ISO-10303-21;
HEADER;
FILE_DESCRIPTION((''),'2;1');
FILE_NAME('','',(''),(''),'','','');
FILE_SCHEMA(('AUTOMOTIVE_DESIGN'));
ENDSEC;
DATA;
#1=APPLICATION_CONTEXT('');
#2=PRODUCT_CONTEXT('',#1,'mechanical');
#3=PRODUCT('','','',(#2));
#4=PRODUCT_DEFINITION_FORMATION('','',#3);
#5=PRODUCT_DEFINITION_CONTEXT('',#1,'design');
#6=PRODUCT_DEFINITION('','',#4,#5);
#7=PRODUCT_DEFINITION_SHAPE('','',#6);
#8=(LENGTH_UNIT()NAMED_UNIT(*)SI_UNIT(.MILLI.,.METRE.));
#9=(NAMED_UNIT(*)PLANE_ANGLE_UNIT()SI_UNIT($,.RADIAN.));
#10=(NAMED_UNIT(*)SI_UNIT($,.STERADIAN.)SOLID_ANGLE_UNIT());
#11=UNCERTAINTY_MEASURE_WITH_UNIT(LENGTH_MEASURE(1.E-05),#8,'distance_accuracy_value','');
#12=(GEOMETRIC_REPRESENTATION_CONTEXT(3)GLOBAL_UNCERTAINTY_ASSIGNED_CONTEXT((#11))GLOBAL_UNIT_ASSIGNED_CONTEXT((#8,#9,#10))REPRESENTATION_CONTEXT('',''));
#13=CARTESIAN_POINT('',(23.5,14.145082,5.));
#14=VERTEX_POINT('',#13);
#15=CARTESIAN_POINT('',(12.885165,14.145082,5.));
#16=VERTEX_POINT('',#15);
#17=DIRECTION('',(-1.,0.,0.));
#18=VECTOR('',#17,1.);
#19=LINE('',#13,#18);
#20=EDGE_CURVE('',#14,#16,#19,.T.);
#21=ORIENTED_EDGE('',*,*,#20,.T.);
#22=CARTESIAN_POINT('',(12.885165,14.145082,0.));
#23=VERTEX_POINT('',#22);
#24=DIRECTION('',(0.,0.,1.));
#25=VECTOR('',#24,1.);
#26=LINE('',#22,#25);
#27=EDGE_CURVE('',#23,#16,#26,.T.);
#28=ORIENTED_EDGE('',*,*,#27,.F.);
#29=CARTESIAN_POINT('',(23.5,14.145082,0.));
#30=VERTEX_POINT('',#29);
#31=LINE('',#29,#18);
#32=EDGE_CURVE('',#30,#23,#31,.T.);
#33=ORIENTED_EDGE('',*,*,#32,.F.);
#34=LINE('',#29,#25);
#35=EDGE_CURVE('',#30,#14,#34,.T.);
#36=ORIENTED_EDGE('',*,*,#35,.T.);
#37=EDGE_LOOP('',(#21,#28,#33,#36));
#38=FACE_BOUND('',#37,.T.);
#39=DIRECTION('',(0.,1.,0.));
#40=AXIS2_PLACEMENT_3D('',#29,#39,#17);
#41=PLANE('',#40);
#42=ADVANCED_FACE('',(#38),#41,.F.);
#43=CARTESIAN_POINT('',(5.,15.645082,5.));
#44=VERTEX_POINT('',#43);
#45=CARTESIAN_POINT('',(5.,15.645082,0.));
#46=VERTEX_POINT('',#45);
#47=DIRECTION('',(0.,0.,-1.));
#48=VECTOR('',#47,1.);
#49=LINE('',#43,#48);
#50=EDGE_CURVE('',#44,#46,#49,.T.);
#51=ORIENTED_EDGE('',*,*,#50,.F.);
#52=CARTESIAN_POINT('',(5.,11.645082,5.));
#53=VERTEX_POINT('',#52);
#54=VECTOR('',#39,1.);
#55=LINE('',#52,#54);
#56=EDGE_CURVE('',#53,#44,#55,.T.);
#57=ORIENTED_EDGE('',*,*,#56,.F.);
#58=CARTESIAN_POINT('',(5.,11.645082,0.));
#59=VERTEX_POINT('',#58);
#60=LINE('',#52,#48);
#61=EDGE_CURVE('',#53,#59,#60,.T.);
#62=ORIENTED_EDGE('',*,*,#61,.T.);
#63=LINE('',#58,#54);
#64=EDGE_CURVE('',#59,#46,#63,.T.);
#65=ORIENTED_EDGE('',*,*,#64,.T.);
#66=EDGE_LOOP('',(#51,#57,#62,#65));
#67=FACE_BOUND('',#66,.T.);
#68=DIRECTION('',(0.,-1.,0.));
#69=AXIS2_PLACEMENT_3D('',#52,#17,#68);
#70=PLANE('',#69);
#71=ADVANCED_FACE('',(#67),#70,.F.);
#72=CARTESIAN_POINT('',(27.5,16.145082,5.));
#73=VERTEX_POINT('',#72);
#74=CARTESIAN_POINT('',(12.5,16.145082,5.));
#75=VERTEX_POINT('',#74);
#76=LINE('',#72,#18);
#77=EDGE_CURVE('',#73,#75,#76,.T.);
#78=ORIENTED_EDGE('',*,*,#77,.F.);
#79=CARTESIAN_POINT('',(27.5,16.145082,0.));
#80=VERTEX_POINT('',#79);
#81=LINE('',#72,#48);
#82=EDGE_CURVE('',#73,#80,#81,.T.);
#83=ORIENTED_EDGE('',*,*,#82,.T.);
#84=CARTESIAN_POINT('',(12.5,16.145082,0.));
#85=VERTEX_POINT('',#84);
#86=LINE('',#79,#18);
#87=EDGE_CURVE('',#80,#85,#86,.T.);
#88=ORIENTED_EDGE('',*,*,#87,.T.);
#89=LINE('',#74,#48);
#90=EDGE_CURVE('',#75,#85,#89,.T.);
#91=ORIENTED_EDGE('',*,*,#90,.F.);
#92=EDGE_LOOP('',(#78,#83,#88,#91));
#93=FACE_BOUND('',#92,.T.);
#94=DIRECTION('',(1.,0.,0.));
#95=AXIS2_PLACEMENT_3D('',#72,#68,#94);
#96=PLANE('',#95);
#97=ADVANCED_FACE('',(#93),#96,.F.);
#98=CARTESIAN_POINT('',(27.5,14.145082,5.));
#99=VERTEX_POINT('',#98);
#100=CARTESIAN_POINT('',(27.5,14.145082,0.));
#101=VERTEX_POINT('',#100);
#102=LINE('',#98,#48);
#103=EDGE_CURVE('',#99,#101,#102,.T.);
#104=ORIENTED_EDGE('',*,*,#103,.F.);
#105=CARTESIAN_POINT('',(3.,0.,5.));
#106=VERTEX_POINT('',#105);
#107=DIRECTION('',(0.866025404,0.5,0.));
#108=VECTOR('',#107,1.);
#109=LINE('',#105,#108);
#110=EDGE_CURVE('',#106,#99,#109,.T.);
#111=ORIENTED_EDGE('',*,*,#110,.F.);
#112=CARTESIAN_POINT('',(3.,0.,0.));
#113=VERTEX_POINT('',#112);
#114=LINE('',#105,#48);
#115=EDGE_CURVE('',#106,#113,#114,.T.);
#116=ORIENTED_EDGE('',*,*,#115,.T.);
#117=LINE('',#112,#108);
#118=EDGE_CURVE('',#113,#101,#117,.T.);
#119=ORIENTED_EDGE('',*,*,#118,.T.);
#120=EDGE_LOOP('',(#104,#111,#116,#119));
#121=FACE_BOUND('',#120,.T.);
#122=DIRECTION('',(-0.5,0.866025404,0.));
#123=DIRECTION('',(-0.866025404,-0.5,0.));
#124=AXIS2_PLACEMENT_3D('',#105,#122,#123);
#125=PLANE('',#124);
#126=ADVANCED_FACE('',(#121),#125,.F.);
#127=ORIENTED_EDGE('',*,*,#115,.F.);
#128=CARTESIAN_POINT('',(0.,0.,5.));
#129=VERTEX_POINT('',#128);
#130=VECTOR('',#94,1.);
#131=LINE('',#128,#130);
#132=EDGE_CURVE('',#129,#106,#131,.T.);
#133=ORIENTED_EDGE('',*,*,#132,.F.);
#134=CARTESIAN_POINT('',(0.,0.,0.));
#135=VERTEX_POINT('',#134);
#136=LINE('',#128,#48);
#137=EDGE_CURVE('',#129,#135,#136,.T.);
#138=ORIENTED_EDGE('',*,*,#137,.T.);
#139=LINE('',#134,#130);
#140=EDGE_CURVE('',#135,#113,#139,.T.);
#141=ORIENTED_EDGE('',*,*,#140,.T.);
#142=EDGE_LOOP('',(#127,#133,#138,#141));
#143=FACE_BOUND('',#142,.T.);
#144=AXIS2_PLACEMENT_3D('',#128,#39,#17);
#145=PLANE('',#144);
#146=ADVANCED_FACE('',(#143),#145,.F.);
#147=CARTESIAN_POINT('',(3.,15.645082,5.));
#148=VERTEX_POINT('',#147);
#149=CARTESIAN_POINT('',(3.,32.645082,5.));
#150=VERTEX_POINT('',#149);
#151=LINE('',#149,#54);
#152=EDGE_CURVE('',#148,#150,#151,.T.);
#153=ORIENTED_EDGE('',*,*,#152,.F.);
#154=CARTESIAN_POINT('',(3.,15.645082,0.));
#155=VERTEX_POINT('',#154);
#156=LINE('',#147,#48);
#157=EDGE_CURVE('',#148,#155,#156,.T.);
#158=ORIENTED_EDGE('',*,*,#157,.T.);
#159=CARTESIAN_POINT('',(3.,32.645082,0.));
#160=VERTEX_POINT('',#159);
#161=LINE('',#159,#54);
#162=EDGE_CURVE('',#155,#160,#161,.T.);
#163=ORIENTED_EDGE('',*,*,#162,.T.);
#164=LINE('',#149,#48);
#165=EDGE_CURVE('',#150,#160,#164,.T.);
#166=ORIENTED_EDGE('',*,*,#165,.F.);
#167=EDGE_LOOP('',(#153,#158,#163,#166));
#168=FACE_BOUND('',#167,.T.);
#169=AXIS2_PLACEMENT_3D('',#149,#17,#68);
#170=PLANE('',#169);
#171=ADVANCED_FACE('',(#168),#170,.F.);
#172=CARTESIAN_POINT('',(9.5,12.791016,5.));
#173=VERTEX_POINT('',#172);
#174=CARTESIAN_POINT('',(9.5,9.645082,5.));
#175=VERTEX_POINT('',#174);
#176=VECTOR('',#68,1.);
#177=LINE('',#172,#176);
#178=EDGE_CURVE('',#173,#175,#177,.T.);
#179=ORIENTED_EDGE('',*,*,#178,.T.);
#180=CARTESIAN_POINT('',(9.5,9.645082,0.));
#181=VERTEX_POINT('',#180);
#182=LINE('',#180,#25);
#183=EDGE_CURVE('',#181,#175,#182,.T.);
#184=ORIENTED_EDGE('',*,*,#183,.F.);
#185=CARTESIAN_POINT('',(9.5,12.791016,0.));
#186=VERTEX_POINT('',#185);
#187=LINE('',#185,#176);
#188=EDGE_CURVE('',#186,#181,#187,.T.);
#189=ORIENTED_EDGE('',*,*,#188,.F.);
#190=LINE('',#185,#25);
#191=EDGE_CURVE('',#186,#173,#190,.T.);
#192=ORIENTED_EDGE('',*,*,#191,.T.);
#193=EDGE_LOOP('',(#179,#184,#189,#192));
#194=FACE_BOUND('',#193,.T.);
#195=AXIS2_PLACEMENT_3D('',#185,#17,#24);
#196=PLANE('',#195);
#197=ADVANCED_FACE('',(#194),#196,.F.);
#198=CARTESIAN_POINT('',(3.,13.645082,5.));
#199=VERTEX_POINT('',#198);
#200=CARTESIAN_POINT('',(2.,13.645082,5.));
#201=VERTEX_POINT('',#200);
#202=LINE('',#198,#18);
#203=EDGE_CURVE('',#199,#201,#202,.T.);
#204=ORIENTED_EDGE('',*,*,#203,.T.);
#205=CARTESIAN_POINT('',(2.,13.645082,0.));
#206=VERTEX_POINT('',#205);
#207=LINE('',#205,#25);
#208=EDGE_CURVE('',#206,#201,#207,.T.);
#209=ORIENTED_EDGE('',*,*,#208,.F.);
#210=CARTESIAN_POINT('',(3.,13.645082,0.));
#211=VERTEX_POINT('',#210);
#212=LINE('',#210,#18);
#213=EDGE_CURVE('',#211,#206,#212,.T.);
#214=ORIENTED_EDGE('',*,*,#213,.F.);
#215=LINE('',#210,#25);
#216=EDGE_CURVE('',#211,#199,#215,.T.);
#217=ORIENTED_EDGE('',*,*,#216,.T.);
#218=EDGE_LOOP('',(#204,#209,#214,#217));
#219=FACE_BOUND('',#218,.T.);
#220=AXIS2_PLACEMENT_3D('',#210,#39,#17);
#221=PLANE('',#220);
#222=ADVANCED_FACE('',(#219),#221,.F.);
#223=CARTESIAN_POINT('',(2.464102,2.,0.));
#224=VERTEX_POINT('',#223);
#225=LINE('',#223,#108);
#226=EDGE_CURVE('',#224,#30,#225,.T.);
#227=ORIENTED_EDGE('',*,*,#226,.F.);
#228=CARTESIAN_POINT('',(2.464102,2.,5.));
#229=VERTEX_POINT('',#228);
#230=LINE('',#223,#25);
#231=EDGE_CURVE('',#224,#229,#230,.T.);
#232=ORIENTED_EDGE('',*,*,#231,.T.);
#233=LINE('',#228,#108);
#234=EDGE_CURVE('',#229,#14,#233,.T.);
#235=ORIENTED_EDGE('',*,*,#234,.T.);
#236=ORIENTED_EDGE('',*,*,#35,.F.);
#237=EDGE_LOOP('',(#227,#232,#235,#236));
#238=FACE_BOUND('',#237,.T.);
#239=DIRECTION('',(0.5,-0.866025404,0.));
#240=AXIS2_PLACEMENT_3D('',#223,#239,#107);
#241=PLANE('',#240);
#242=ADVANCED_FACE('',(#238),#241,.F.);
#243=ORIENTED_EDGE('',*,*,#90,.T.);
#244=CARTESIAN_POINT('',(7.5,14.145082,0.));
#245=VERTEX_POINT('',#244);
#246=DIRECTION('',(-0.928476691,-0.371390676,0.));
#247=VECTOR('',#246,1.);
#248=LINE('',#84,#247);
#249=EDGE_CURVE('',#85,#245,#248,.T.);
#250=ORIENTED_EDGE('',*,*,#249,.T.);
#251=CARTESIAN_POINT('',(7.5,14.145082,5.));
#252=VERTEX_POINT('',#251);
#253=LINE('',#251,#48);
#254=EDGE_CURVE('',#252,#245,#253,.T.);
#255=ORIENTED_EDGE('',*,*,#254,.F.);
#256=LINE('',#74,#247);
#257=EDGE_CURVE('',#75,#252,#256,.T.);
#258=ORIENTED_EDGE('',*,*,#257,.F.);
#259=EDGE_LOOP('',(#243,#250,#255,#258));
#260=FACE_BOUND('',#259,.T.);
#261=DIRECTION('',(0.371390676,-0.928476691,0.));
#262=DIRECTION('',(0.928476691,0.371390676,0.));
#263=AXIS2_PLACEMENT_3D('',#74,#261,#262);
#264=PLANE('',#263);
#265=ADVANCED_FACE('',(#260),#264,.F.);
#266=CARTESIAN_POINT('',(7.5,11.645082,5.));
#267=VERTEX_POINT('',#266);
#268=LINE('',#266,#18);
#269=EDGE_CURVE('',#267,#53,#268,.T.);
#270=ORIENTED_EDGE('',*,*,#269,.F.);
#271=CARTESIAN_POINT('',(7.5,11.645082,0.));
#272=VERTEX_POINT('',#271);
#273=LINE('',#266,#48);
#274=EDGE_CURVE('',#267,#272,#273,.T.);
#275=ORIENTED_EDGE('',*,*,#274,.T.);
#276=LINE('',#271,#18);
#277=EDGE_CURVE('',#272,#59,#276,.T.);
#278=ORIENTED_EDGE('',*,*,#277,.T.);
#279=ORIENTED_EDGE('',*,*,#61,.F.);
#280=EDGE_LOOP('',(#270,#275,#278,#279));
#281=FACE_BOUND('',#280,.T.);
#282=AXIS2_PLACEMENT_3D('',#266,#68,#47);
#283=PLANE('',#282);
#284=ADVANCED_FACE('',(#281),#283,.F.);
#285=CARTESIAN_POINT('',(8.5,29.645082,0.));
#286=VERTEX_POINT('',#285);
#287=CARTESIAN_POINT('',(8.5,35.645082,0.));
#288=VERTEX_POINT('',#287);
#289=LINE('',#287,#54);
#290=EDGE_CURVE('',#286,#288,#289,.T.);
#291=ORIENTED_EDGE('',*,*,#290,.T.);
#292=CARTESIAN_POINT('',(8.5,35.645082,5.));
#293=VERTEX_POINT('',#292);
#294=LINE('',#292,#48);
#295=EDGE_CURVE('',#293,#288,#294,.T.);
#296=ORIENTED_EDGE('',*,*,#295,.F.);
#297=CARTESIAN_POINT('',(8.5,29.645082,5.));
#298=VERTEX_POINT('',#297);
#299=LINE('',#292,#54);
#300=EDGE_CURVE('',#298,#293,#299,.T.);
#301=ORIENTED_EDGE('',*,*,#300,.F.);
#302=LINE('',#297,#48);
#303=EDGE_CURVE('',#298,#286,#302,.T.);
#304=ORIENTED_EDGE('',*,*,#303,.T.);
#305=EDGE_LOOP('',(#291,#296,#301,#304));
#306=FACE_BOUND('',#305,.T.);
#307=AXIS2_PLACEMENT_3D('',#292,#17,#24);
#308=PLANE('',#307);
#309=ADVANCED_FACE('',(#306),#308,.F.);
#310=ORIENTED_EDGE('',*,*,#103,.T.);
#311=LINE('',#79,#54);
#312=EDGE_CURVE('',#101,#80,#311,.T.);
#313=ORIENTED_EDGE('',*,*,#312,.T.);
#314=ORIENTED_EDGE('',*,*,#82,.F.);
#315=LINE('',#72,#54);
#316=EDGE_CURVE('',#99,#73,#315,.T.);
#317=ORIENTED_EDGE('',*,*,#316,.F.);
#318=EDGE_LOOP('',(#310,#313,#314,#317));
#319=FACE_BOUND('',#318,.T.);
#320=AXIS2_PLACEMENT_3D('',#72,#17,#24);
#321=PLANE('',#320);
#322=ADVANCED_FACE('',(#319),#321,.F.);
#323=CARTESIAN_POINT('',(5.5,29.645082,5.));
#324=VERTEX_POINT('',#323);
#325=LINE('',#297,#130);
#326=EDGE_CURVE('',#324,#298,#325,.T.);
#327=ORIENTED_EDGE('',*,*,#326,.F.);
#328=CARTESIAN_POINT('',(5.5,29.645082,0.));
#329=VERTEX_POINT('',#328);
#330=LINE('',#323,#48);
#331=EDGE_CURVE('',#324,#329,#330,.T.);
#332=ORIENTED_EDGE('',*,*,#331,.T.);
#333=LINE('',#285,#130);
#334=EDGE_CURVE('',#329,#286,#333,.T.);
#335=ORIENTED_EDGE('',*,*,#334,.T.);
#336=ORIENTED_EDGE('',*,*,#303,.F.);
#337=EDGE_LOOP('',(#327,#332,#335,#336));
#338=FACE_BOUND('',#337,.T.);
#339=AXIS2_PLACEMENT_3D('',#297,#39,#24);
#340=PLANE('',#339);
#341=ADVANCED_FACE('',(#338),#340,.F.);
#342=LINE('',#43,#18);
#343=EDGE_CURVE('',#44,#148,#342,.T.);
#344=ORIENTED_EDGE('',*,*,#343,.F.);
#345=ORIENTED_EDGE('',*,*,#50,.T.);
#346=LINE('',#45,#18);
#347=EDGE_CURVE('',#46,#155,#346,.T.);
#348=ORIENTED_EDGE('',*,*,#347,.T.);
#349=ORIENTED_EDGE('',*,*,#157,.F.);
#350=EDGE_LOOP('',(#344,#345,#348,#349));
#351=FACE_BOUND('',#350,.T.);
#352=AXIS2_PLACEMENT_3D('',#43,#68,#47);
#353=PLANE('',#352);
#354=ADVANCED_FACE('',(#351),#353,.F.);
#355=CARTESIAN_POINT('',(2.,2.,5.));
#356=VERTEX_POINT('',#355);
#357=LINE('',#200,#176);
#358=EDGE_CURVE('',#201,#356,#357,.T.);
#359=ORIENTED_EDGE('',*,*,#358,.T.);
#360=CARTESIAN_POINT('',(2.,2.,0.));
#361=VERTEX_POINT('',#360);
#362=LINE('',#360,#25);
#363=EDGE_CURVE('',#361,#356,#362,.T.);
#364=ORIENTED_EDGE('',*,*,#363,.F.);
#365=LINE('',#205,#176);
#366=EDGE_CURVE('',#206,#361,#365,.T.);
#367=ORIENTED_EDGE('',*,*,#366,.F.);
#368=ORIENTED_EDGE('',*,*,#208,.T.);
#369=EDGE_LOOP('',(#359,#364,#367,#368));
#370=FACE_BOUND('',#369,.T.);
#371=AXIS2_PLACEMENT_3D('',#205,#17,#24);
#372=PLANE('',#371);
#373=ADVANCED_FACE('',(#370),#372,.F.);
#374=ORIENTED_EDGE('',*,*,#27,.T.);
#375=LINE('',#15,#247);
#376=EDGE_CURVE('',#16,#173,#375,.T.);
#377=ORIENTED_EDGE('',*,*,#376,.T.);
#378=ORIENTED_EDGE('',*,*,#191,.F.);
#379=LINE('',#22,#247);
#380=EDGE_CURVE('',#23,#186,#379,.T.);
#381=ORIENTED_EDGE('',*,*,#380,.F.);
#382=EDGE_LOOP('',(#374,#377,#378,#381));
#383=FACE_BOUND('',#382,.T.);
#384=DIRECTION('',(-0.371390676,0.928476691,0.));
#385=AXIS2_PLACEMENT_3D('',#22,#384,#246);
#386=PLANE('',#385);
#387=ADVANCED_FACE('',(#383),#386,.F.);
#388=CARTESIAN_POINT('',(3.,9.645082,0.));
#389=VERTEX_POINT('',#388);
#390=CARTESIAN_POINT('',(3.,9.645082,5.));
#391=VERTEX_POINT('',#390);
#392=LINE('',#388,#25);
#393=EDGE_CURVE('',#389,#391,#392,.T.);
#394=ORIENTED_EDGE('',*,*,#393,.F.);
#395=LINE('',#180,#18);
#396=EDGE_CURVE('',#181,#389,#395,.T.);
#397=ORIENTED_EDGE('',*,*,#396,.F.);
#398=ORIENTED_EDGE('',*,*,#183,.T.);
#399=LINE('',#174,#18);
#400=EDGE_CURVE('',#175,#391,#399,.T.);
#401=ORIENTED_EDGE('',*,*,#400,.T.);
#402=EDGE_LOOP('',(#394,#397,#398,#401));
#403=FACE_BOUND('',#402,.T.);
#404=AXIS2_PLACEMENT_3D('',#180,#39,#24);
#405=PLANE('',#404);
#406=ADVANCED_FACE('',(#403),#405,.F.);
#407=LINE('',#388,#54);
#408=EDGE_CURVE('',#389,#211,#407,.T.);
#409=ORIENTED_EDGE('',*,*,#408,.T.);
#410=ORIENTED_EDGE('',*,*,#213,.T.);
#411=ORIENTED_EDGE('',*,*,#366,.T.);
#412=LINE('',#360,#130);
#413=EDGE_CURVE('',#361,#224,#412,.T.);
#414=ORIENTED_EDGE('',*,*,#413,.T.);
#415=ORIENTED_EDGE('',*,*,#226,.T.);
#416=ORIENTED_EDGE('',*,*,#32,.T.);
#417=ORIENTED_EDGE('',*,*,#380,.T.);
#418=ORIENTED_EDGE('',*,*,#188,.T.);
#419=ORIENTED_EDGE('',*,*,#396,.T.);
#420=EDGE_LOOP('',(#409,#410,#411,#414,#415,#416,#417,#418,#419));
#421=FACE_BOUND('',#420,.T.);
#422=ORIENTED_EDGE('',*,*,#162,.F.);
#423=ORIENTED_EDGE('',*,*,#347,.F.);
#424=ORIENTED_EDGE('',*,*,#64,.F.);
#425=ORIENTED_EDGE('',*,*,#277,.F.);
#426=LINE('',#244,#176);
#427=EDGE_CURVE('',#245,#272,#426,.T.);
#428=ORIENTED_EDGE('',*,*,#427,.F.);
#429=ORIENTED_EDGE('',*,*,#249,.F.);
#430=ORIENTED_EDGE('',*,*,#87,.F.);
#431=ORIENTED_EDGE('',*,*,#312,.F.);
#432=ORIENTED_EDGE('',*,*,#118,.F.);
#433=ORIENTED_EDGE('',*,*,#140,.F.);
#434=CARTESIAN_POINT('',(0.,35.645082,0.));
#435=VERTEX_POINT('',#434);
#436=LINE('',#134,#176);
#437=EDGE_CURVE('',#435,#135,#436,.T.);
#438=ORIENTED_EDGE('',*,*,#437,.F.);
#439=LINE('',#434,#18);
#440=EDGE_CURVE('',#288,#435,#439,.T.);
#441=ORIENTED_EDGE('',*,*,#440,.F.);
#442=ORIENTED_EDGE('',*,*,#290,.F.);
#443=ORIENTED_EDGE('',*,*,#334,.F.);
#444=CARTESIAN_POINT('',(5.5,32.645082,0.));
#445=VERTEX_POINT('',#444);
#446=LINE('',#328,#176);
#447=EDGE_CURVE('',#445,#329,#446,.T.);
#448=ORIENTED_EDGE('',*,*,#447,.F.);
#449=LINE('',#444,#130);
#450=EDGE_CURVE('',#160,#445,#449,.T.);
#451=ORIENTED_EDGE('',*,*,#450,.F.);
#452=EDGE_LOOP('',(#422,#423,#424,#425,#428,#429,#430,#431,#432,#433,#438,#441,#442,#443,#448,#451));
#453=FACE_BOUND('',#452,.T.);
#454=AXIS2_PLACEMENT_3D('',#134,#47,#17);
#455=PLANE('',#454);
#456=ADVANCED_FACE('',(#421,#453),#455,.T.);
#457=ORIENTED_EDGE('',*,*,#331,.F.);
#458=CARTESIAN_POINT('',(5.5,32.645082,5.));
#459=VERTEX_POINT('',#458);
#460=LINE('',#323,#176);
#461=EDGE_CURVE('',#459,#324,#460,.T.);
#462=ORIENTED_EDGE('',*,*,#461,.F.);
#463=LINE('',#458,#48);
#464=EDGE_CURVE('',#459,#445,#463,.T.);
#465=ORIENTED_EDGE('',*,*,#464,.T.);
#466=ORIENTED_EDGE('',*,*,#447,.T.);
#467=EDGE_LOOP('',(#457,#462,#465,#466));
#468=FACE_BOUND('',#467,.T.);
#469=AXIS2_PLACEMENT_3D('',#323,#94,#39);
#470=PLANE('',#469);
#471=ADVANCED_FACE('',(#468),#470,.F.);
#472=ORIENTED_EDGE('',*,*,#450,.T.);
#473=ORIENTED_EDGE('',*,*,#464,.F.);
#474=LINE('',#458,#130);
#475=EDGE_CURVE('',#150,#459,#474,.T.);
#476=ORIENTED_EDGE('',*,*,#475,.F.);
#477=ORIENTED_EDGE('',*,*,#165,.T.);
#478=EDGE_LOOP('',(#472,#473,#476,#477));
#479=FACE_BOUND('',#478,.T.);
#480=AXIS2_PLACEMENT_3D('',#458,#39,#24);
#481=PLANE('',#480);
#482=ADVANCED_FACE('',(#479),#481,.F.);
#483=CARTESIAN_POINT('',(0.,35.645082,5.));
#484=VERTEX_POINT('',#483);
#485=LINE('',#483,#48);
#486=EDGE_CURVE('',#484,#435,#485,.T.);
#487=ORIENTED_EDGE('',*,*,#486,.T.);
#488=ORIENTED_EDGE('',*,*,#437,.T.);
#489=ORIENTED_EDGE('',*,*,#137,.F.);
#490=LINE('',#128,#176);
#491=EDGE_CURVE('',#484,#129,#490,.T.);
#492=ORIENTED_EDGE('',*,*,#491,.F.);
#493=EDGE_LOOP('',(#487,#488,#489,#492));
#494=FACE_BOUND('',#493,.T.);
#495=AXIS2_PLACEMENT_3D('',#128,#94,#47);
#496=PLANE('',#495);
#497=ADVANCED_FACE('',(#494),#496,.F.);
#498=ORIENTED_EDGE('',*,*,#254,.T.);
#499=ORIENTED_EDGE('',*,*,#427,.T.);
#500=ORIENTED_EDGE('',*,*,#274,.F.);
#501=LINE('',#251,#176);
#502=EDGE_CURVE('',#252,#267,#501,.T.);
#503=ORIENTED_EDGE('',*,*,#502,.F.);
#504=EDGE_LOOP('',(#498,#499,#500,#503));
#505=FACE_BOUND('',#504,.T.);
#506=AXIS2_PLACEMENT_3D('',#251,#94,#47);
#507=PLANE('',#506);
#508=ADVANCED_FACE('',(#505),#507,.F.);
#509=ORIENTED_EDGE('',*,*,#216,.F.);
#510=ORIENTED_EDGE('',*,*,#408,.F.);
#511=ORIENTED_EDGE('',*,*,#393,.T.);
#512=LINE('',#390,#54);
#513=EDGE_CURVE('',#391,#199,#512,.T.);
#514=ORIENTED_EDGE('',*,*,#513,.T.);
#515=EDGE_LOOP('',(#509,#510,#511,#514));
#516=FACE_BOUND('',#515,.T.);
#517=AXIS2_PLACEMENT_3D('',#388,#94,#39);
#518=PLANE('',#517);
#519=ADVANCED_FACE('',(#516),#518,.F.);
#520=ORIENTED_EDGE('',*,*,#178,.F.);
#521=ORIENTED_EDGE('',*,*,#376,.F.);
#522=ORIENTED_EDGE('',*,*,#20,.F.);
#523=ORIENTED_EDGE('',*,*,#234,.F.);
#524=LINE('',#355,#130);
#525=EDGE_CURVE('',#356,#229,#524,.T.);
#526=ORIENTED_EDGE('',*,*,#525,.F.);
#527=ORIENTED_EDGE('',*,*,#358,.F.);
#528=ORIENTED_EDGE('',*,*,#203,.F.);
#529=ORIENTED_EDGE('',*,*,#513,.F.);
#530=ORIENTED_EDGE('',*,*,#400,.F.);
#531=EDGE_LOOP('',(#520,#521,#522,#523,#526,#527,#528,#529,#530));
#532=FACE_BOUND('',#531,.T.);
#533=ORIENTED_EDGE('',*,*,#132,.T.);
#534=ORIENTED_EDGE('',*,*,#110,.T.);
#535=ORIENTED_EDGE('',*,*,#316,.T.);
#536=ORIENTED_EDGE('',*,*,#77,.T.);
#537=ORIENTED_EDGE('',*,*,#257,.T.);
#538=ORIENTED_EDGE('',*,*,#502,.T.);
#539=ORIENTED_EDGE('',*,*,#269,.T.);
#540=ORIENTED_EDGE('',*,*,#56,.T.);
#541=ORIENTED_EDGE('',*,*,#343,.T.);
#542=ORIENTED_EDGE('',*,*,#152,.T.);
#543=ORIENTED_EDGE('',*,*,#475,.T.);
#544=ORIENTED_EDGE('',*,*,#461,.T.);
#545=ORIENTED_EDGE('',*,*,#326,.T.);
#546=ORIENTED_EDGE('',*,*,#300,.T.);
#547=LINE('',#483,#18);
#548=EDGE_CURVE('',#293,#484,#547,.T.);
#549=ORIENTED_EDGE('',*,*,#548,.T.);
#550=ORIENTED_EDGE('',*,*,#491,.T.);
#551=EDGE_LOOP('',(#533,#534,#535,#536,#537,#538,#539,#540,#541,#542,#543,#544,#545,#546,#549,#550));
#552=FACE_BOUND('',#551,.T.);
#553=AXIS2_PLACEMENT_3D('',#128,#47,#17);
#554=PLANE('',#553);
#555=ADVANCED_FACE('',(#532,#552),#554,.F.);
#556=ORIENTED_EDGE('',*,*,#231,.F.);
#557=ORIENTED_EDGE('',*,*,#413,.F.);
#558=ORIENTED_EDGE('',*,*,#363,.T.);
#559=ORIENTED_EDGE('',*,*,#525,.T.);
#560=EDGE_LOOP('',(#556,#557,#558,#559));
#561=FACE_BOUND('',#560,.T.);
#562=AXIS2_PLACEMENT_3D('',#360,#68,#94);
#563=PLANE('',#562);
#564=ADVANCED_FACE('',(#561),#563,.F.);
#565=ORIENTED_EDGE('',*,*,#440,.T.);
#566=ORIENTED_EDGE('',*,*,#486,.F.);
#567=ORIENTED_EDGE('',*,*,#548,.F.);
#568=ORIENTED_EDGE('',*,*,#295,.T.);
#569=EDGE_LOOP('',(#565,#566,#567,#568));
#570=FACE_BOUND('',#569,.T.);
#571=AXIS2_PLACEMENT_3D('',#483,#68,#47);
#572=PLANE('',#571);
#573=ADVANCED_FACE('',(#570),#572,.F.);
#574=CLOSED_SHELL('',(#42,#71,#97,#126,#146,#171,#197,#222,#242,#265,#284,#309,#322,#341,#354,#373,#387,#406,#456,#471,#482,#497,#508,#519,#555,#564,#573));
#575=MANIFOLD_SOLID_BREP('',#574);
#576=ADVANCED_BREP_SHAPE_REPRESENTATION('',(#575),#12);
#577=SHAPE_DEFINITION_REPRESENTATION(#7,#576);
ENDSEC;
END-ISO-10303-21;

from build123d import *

# Parameters (mm, degrees)
EXTRUDE_1_DEPTH     = 5
CUT_EXTRUDE_1_DEPTH = 46.297040101


with BuildPart() as part:
    # 草图1 → 凸台-拉伸1 (new body)
    with BuildSketch(Plane.XY):
        Polygon((0, 0), (0, 35.645081595), (8.5, 35.645081595), (8.5, 29.645081595), (5.5, 29.645081595), (5.5, 32.645081595), (3, 32.645081595), (3, 15.645081595), (5, 15.645081595), (5, 11.645081595), (7.5, 11.645081595), (7.5, 14.145081595), (12.5, 16.145081595), (27.5, 16.145081595), (27.5, 14.145081595), (3, 0), align=None)
    extrude(amount=EXTRUDE_1_DEPTH)

    # 草图2 → 切除-拉伸1 (cut, through all)
    with BuildSketch(Plane.XY.offset(5)):
        Polygon((9.5, 12.791015672), (9.5, 9.645081595), (3, 9.645081595), (3, 13.645081595), (2, 13.645081595), (2, 2), (2.464101615, 2), (23.5, 14.145081595), (12.885164807, 14.145081595), align=None)
    extrude(amount=-CUT_EXTRUDE_1_DEPTH, mode=Mode.SUBTRACT)


solid = part.part
